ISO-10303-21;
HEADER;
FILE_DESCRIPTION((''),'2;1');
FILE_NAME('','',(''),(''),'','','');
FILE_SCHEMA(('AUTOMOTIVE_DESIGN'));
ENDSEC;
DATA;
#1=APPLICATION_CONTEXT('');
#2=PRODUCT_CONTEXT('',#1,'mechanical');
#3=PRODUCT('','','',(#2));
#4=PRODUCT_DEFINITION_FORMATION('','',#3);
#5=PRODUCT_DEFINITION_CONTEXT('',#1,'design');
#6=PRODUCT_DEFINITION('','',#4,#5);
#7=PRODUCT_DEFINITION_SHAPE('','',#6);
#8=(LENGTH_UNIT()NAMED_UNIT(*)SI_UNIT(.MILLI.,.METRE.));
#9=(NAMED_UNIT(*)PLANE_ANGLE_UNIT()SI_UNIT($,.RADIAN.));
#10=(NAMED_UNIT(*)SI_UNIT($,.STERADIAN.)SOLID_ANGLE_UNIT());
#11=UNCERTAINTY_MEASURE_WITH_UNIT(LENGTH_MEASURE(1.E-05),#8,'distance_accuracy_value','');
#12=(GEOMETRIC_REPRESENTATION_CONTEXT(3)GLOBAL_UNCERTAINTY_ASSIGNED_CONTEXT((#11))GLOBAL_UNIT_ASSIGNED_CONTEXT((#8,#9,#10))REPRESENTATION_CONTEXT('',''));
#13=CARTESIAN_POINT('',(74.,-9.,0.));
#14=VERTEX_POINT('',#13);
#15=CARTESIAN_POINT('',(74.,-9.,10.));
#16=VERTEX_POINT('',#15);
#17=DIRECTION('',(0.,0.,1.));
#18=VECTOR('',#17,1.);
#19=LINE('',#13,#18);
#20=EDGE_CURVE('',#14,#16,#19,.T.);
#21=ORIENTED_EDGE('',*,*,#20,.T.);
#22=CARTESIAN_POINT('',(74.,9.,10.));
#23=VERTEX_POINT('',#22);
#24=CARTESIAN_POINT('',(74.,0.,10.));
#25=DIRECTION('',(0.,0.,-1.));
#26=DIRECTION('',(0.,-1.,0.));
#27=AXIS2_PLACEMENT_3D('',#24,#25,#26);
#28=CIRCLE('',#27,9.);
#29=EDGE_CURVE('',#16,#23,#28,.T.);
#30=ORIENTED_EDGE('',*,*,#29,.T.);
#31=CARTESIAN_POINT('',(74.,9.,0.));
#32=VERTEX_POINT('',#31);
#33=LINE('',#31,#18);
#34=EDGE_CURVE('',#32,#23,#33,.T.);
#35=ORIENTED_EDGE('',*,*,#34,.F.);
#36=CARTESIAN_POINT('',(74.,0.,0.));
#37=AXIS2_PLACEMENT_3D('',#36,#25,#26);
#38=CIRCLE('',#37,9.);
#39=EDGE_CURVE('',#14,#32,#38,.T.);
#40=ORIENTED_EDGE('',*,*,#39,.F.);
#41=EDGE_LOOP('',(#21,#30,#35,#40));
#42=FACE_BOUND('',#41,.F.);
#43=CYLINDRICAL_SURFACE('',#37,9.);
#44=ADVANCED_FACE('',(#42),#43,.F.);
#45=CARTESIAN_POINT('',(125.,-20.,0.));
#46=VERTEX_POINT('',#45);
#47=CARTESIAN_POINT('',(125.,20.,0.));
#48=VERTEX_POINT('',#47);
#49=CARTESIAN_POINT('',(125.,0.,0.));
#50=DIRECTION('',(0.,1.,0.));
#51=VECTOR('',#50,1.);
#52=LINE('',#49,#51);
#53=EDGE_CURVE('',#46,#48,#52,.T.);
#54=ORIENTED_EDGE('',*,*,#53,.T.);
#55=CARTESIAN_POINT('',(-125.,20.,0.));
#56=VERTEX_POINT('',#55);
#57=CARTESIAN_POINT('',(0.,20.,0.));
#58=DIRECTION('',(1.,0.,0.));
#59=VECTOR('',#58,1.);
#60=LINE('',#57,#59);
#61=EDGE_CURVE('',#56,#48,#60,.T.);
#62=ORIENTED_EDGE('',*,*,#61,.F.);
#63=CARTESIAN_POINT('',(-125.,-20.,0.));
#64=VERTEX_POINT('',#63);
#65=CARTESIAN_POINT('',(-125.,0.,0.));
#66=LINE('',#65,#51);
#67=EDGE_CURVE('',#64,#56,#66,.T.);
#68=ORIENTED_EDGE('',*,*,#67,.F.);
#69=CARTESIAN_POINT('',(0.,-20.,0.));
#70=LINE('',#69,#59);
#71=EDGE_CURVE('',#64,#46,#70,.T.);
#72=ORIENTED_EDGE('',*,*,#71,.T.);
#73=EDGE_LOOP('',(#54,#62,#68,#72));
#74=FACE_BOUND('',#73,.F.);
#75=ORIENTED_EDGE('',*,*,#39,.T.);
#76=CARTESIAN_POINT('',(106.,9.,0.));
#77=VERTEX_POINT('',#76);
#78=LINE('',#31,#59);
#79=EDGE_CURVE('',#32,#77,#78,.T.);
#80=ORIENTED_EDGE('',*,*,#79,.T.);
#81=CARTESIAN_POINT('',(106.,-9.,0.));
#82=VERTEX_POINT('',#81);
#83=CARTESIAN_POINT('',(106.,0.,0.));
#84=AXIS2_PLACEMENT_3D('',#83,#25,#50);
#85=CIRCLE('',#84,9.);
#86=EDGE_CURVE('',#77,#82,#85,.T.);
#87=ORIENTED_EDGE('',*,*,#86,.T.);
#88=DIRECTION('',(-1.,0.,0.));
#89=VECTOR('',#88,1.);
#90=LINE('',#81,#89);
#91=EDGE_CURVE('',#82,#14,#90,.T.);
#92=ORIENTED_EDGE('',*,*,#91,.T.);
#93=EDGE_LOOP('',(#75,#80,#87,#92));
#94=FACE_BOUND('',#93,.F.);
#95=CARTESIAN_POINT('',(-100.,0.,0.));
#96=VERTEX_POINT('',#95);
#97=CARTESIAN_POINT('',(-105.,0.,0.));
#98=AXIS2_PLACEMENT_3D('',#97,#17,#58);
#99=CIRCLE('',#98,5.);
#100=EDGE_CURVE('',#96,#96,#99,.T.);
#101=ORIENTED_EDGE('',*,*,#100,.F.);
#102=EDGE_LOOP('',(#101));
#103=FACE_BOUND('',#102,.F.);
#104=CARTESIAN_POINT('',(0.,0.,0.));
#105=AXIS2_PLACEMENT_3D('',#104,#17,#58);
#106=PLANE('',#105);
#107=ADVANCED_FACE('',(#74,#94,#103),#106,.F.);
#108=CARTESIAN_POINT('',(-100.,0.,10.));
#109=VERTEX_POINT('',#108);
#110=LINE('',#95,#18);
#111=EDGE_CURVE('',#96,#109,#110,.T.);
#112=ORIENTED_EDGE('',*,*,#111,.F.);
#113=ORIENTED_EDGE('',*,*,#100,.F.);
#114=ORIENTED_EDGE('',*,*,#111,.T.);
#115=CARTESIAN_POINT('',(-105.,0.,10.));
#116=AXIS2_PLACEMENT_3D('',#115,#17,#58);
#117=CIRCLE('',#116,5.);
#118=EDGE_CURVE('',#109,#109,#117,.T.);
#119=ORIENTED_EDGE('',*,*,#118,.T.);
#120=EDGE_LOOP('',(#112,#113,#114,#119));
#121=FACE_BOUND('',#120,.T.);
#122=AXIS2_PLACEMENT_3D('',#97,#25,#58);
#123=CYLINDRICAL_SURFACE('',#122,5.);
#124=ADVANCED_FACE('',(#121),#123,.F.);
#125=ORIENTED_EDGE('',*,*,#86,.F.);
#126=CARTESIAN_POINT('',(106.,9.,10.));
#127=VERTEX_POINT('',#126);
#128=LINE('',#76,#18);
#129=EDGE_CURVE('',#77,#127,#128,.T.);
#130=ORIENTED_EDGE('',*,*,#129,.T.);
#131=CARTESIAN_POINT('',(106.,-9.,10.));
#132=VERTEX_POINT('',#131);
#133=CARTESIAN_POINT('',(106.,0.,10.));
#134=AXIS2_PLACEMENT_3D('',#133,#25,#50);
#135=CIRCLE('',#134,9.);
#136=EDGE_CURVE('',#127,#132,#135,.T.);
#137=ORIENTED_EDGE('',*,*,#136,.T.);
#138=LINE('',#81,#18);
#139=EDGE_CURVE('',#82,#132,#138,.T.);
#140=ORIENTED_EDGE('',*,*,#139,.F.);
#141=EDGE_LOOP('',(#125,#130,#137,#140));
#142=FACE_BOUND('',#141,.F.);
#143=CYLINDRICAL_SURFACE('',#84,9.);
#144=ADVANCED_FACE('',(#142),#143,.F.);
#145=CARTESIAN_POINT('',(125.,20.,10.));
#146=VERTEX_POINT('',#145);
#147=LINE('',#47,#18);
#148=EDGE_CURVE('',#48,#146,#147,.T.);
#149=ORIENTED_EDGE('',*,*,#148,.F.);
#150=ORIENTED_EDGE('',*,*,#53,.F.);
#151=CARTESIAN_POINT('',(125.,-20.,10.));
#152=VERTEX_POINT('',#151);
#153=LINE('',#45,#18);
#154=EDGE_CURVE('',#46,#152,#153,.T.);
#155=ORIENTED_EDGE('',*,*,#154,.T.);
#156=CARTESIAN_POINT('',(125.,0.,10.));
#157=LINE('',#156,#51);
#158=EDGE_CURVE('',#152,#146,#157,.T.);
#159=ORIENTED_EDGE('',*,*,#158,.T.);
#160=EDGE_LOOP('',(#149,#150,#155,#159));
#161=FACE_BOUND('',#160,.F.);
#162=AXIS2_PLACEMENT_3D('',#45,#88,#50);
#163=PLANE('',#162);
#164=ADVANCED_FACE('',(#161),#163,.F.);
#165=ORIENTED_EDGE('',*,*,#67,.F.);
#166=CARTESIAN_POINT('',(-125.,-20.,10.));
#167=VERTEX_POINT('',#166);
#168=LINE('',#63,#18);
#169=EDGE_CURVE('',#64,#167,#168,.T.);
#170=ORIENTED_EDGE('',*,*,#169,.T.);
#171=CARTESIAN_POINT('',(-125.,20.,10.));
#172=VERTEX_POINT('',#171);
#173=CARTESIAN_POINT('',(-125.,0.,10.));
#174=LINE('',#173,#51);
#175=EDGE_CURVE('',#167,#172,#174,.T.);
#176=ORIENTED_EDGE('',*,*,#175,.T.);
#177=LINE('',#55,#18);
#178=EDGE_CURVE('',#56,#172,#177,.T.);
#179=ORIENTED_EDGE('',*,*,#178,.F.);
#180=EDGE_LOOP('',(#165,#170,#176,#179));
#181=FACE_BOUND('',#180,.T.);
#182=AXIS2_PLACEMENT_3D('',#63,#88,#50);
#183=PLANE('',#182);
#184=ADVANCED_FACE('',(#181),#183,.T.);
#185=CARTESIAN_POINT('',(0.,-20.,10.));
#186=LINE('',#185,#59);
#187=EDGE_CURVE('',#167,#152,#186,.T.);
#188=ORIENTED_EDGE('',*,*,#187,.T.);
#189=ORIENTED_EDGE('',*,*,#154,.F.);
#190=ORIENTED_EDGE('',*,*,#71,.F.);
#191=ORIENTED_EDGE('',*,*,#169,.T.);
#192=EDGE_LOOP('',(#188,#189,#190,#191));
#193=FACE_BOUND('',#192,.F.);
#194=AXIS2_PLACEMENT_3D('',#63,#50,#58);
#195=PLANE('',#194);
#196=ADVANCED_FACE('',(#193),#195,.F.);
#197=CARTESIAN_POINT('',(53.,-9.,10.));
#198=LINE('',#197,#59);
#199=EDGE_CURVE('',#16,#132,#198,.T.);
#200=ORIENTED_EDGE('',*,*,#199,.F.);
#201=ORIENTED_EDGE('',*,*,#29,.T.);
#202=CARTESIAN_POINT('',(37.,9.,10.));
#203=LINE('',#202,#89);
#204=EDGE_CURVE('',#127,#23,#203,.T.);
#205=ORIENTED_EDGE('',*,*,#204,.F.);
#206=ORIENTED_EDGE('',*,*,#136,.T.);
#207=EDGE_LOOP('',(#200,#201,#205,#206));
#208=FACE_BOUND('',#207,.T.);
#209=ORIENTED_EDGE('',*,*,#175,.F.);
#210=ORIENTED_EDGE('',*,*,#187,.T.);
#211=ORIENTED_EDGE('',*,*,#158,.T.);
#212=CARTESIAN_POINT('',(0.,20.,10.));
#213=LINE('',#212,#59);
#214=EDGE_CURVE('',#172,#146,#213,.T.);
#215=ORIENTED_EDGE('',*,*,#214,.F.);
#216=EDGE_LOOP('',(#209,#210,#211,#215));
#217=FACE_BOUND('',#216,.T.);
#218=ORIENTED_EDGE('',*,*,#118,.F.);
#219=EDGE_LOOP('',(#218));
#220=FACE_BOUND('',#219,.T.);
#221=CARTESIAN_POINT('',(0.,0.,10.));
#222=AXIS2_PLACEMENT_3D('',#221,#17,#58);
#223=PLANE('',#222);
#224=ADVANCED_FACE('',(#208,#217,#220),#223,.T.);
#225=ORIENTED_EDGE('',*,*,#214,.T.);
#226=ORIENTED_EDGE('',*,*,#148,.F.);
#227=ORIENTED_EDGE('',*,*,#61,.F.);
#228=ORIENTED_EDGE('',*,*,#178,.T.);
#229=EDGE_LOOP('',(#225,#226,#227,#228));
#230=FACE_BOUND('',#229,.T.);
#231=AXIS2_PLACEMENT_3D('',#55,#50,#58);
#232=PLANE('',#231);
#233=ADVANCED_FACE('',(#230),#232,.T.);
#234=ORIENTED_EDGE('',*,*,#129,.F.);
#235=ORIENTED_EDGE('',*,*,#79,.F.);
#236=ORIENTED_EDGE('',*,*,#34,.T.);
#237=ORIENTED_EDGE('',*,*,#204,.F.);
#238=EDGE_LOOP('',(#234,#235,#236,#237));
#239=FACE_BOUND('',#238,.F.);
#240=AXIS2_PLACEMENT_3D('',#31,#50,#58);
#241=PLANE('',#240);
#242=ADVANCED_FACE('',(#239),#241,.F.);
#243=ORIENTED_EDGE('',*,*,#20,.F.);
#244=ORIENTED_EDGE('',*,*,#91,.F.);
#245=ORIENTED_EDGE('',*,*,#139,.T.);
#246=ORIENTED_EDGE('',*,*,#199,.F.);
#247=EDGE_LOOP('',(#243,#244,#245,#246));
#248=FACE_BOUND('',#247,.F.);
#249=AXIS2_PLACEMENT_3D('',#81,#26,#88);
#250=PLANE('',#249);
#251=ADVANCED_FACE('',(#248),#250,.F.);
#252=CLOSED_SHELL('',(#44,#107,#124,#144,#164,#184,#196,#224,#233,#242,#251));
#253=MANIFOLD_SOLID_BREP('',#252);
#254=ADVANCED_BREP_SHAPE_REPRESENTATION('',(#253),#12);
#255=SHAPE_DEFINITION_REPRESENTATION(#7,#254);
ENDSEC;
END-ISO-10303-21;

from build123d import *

# Parameters (mm, degrees)
F0_W     = 250
F0_H     = 40
F0_R     = 5
F1_DEPTH = 10
F3_DEPTH = 25


with BuildPart() as f1:
    # F0 (on Top) → F1 (new body)
    with BuildSketch(Plane.XY):
        Rectangle(F0_W, F0_H)
        with Locations((-105, 0)):
            Circle(F0_R, mode=Mode.SUBTRACT)
    extrude(amount=F1_DEPTH)

    # F2 (on face) → F3 (cut)
    with BuildSketch(Plane(origin=(0, 0, 0), x_dir=(1, 0, 0), z_dir=(0, 0, -1))):
        with BuildLine():
            Line((74, -9), (106, -9))
            ThreePointArc((106, -9), (115, 0), (106, 9))
            Line((106, 9), (74, 9))
            ThreePointArc((74, 9), (65, 0), (74, -9))
        make_face()
    extrude(amount=-F3_DEPTH, mode=Mode.SUBTRACT)


solid = f1.part
